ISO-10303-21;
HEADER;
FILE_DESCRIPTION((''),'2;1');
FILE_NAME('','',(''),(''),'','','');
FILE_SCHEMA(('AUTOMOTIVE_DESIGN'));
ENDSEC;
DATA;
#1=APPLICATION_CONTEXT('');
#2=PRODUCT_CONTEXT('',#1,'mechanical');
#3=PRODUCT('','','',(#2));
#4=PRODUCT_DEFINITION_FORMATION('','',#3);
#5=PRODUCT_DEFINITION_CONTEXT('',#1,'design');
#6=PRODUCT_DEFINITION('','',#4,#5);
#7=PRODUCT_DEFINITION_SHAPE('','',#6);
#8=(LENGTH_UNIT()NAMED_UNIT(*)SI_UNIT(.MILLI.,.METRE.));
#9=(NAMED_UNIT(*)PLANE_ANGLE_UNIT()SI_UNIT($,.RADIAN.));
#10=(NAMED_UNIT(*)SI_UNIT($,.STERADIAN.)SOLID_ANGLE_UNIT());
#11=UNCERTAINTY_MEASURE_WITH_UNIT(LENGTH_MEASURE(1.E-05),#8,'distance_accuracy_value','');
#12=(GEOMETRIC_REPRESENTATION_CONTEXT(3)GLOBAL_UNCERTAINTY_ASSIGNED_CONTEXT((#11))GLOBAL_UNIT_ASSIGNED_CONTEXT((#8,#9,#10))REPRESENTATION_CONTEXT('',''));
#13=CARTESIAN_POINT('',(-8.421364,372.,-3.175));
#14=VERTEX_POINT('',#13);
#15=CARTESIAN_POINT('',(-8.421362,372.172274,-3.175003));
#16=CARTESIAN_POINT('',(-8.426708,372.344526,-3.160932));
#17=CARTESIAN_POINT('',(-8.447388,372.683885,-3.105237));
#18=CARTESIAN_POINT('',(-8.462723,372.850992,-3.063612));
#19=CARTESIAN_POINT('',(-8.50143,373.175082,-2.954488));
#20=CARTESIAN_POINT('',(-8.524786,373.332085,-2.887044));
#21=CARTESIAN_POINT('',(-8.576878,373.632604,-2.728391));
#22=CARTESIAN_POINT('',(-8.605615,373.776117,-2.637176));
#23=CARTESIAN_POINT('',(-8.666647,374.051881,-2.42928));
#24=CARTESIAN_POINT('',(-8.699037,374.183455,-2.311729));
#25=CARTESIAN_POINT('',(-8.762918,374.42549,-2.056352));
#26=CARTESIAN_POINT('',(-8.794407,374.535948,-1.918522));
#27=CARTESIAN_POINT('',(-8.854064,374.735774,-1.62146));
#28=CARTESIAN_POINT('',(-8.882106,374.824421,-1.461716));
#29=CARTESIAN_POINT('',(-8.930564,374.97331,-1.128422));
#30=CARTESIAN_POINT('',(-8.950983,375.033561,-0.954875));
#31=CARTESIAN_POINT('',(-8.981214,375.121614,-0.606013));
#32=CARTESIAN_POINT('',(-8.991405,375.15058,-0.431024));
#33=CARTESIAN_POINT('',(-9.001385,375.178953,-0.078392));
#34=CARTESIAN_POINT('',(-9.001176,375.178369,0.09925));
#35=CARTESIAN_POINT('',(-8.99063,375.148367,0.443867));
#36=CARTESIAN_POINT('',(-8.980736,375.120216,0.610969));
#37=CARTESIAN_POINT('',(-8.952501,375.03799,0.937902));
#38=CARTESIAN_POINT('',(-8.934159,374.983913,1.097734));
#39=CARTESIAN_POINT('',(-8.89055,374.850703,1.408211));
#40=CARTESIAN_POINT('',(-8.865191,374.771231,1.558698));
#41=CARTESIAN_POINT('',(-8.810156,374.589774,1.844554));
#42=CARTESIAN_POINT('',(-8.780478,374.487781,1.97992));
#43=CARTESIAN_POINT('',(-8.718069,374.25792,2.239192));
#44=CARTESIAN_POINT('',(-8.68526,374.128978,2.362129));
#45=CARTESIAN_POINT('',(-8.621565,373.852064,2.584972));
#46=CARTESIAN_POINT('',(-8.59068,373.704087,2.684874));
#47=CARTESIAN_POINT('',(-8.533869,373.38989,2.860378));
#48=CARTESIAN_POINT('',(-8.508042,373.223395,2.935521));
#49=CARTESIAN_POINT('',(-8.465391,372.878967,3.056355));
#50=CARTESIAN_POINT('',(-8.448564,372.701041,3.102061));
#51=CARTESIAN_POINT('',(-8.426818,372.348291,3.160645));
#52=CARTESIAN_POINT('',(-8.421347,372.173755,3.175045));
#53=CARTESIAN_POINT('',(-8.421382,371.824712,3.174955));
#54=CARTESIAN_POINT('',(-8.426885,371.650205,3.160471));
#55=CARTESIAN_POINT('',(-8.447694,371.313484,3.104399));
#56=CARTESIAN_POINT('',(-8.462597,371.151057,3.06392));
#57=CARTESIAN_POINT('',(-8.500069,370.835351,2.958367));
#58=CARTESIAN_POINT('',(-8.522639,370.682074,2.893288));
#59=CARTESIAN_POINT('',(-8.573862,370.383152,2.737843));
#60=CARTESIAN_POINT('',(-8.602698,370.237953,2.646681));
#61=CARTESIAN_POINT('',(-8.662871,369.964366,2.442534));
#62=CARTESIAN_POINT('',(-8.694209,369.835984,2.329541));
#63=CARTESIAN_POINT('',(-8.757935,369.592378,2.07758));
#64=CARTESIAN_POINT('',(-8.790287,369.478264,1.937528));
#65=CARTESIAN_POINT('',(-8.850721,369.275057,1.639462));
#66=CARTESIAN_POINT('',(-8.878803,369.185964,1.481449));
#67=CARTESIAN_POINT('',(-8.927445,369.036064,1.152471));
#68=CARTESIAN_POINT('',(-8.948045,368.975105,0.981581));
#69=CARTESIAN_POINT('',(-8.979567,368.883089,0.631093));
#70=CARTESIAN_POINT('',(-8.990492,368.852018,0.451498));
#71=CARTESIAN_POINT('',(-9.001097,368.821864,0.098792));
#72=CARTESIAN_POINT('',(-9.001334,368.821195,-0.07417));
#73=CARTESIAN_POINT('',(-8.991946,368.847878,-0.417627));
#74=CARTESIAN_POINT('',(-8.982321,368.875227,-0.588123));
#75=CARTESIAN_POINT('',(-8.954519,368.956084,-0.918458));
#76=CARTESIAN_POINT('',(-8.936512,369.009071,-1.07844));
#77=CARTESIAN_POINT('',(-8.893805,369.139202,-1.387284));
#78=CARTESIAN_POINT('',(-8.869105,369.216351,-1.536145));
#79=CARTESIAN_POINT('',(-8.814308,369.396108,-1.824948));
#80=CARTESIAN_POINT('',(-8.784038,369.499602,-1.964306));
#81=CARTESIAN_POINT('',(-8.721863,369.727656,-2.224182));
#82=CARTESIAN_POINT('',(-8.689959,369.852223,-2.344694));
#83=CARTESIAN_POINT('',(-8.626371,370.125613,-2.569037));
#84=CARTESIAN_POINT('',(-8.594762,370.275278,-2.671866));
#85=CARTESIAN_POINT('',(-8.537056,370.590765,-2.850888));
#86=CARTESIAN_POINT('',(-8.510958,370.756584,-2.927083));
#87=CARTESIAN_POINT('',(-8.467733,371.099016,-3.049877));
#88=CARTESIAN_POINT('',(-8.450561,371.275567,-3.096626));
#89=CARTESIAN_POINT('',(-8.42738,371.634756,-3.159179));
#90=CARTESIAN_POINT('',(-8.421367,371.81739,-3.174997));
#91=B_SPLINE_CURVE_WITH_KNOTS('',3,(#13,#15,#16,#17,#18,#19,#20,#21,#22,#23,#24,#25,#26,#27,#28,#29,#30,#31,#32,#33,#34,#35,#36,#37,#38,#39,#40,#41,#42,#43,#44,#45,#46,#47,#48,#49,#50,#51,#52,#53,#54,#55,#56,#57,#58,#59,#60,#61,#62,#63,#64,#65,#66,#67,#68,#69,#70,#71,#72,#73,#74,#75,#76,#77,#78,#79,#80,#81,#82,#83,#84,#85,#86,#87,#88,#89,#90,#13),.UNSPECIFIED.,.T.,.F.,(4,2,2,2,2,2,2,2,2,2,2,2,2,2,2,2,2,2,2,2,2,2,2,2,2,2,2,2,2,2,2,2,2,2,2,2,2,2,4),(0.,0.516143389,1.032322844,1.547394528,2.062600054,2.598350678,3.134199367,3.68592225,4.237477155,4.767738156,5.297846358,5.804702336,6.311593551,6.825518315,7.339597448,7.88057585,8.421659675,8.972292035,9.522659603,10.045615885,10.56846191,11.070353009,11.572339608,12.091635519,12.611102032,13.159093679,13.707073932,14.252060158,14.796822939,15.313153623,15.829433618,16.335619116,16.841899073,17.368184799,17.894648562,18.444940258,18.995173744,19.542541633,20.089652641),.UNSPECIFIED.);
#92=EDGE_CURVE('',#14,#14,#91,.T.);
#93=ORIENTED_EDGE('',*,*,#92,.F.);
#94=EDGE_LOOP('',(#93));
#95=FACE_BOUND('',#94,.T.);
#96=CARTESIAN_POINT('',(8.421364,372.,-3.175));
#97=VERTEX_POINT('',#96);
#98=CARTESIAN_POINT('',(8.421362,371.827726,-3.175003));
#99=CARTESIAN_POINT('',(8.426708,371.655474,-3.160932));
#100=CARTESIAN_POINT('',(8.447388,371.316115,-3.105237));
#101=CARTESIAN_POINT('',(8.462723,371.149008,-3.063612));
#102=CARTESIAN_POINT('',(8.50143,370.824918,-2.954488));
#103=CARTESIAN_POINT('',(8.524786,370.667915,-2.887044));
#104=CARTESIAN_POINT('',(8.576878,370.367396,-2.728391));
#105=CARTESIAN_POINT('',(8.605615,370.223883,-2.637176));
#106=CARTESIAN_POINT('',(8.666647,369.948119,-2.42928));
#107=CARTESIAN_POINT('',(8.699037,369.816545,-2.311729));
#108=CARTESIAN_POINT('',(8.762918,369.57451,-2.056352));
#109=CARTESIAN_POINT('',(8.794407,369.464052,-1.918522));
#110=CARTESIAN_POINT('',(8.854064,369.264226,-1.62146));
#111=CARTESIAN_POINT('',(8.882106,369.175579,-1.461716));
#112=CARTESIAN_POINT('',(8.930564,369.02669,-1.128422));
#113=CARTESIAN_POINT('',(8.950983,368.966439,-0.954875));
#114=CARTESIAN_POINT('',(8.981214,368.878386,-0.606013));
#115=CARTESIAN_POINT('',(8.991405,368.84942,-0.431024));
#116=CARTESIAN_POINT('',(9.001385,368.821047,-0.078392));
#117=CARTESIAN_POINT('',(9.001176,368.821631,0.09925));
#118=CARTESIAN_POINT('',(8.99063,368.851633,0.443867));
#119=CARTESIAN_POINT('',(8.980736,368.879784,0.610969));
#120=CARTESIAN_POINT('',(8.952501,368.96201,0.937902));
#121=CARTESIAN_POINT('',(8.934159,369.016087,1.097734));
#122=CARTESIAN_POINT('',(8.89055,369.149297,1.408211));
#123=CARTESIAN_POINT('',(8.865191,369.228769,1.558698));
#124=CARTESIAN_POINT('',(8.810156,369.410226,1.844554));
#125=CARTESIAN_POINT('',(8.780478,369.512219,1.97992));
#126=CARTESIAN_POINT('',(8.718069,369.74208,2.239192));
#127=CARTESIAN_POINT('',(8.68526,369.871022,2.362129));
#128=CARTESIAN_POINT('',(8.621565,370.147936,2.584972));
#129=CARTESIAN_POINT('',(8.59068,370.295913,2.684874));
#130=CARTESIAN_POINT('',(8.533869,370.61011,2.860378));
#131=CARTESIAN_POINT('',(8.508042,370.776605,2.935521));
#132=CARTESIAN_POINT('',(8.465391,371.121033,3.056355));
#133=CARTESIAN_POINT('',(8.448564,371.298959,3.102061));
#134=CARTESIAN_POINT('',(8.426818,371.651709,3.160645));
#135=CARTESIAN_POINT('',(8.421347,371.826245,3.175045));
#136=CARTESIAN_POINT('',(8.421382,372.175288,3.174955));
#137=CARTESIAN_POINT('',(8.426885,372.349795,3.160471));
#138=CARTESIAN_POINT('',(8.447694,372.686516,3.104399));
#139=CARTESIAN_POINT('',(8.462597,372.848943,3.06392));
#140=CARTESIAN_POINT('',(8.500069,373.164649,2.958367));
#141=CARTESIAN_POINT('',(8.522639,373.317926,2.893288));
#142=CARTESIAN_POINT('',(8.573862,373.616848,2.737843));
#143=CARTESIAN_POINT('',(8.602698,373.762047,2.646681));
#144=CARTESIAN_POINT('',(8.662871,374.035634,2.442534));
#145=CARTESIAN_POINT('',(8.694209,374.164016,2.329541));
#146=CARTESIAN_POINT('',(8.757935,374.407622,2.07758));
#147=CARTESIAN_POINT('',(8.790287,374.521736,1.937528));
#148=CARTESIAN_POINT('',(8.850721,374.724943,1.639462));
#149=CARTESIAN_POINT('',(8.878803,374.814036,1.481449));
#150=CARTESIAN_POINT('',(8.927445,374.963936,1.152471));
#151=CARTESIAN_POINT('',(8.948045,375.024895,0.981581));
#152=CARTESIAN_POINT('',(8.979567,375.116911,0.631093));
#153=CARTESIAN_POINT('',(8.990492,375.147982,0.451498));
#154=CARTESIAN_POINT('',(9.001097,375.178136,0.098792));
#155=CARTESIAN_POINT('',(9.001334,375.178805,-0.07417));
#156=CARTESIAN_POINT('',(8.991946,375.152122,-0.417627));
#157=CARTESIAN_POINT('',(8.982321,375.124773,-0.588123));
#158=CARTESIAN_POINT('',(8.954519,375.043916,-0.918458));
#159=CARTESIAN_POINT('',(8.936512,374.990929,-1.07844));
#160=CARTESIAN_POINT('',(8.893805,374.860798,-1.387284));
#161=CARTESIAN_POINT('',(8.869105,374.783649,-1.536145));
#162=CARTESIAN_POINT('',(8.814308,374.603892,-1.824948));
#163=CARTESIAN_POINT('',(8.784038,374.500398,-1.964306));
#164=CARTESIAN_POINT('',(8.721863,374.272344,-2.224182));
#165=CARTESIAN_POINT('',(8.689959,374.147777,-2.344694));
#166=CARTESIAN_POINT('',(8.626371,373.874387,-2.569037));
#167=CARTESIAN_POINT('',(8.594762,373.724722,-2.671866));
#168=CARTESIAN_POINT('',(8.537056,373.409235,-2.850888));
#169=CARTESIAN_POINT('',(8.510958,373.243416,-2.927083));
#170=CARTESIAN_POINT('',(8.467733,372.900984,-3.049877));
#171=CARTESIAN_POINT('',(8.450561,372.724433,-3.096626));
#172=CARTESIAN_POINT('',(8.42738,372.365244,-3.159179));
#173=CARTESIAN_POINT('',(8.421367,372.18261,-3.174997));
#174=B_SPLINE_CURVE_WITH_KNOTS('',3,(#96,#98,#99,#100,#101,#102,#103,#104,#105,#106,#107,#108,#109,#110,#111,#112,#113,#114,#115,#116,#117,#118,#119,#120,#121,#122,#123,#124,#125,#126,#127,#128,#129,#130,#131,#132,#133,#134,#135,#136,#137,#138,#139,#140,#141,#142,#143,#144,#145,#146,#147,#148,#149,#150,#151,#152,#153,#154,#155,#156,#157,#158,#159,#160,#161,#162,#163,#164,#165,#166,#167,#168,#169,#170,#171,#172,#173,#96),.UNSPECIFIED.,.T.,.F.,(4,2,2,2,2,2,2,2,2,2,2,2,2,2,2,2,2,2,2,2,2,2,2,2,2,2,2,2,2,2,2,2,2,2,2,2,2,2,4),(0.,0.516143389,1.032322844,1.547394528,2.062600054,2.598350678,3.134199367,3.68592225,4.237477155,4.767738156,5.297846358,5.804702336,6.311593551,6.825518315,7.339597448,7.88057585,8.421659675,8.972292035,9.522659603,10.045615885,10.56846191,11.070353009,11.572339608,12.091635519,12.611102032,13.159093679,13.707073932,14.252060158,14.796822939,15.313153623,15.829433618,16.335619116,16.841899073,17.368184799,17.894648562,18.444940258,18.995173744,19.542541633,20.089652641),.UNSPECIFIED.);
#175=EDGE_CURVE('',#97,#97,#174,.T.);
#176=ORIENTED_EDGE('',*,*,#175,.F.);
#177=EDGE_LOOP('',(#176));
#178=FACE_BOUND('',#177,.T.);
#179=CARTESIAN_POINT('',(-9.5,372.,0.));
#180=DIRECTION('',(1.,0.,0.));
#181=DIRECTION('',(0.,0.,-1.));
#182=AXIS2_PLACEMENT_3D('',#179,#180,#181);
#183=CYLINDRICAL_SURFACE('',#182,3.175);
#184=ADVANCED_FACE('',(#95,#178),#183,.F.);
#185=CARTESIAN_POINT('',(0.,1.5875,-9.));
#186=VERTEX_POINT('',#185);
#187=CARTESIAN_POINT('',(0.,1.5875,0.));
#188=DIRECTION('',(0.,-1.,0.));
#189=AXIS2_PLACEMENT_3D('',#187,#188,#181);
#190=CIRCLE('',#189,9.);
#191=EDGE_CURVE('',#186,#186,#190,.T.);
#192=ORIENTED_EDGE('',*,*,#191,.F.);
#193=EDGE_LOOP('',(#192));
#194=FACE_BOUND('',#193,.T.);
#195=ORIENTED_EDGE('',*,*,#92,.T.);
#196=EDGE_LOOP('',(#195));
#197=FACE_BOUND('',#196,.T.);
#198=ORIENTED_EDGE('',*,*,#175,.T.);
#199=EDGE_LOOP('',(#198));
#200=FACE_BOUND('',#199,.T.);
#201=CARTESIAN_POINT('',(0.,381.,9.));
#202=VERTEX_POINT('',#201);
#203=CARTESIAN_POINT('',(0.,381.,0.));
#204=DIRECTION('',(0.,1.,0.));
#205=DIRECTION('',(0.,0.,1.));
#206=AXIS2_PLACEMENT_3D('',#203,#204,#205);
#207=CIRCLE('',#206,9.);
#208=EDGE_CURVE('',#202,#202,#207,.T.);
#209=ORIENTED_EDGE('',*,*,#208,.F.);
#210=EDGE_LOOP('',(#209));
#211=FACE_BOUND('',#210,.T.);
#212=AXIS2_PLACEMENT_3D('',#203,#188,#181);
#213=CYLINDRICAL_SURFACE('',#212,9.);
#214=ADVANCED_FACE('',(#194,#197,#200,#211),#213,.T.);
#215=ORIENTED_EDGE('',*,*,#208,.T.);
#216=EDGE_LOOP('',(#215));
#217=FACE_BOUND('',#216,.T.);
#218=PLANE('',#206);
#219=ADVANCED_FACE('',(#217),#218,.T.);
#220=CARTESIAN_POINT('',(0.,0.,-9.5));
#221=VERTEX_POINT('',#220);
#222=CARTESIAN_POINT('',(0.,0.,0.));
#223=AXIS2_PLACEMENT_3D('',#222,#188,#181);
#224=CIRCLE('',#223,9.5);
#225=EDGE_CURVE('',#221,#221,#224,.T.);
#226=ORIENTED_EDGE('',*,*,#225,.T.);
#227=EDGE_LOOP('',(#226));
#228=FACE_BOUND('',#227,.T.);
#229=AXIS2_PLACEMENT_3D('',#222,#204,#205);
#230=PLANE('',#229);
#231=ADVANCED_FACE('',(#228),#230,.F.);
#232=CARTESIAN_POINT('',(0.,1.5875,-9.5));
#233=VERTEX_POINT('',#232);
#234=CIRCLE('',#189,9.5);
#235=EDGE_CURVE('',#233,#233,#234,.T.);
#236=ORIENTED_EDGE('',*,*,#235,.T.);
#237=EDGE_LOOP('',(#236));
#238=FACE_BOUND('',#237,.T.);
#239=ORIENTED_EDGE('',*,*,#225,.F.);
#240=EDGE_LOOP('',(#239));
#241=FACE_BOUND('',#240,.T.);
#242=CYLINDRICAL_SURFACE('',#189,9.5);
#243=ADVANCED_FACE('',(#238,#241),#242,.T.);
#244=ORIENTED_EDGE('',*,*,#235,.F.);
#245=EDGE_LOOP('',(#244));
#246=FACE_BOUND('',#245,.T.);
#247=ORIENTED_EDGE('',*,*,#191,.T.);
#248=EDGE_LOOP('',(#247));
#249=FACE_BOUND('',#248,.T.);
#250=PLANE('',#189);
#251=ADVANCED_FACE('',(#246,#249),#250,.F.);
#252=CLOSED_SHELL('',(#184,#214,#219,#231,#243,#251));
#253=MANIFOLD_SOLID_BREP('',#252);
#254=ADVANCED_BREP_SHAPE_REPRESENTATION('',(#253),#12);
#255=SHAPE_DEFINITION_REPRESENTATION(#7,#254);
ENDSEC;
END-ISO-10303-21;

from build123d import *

# Parameters (mm, degrees)
SKETCH2_R               = 9
BOSS_EXTRUDE1_DEPTH     = 381
SKETCH3_R               = 9.5
BOSS_EXTRUDE2_DEPTH     = 1.5875
SKETCH4_R               = 3.175
CUT_EXTRUDE1_DEPTH      = 10.5
CUT_EXTRUDE1_DEPTH_BACK = 10.5


with BuildPart() as part:
    # Sketch2 → Boss-Extrude1 (new body)
    with BuildSketch(Plane(origin=(0, 0, 0), x_dir=(1, 0, 0), z_dir=(0, 1, 0))):
        Circle(SKETCH2_R)
    extrude(amount=BOSS_EXTRUDE1_DEPTH)

    # Sketch3 → Boss-Extrude2 (add)
    with BuildSketch(Plane.XZ):
        Circle(SKETCH3_R)
    extrude(amount=-BOSS_EXTRUDE2_DEPTH)

    # Sketch4 → Cut-Extrude1 (cut, two sides)
    with BuildSketch(Plane(origin=(0, 0, 0), x_dir=(0, 0, -1), z_dir=(1, 0, 0))) as cut_extrude1_sk:
        with Locations((0, 372)):
            Circle(SKETCH4_R)
    extrude(amount=CUT_EXTRUDE1_DEPTH, mode=Mode.SUBTRACT)
    extrude(cut_extrude1_sk.sketch, amount=-CUT_EXTRUDE1_DEPTH_BACK, mode=Mode.SUBTRACT)


solid = part.part
